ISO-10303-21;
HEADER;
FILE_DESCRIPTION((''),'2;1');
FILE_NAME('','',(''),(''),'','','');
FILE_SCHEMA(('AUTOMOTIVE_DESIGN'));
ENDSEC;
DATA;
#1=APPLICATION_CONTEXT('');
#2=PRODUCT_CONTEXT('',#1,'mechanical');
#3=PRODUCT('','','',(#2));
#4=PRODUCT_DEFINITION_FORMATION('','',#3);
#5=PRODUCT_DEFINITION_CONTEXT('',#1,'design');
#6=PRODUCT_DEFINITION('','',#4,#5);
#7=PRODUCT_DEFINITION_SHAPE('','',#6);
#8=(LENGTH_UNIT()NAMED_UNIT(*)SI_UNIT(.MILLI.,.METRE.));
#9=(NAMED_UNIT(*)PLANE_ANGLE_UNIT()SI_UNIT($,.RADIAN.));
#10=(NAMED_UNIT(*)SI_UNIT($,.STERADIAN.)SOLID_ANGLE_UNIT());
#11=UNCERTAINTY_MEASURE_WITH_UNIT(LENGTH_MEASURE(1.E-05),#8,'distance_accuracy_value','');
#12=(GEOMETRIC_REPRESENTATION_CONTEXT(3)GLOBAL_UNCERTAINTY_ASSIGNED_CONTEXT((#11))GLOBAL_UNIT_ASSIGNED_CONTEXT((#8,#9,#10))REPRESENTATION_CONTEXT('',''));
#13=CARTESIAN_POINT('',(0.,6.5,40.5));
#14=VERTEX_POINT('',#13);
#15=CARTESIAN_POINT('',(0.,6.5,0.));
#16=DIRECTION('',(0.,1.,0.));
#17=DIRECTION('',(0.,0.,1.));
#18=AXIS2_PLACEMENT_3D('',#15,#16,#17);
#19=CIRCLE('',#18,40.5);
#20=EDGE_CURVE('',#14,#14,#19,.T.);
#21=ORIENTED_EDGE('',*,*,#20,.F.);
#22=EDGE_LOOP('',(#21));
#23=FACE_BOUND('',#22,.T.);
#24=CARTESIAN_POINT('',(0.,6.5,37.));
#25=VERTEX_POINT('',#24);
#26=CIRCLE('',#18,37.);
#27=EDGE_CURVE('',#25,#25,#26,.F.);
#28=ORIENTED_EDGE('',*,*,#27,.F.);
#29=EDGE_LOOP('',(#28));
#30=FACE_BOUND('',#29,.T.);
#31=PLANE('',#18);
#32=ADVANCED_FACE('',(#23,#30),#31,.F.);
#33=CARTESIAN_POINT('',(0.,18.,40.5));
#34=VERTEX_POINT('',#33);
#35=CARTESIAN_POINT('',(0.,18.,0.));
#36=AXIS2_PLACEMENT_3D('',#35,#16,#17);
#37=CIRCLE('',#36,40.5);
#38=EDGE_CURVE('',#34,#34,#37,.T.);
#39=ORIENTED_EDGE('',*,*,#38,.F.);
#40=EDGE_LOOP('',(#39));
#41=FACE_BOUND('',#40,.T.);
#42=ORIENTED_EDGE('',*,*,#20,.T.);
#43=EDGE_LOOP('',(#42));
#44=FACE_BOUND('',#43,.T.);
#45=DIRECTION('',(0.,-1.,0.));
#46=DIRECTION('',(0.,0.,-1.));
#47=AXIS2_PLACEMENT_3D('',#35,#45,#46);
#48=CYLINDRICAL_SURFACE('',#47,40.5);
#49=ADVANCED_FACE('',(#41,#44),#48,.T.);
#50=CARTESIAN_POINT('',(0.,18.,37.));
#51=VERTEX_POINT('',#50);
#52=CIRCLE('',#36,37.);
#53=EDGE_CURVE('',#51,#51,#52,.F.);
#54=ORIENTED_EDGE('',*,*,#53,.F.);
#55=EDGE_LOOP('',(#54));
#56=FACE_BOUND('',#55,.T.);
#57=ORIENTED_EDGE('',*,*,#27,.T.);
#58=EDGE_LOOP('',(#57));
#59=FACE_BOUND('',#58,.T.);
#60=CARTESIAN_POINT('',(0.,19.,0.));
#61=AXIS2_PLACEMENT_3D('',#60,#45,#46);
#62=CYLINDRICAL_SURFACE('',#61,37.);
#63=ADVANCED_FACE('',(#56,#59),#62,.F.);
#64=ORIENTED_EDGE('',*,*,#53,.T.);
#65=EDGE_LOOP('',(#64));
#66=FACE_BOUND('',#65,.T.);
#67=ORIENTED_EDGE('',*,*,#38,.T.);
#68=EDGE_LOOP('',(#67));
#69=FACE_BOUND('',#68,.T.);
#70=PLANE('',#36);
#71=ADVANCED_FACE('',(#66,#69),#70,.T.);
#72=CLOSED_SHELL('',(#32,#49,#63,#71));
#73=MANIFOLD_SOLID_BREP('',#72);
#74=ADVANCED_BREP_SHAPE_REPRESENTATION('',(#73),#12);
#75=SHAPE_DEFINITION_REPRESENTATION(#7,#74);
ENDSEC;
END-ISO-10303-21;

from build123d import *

# Parameters (mm, degrees)
YUVA_ICECEK_HALKA_1_START = 6.5
SKETCH1_R                 = 40.5
YUVA_ICECEK_HALKA_1_DEPTH = 11.5
YUVA_ICECEK_HALKA_2_START = 6
SKETCH2_R                 = 37
YUVA_ICECEK_HALKA_2_DEPTH = 13


with BuildPart() as part:
    # Sketch1 → YUVA_icecek_halka_1 (new body)
    with BuildSketch(Plane(origin=(0, 0, 0), x_dir=(1, 0, 0), z_dir=(0, 1, 0)).offset(YUVA_ICECEK_HALKA_1_START)):
        with Locations(Location((0, 0, 0), (0, 0, 270))):
            Circle(SKETCH1_R)
    extrude(amount=YUVA_ICECEK_HALKA_1_DEPTH)

    # Sketch2 → YUVA_icecek_halka_2 (cut)
    with BuildSketch(Plane(origin=(0, 0, 0), x_dir=(1, 0, 0), z_dir=(0, 1, 0)).offset(YUVA_ICECEK_HALKA_2_START)):
        with Locations(Location((0, 0, 0), (0, 0, 270))):
            Circle(SKETCH2_R)
    extrude(amount=YUVA_ICECEK_HALKA_2_DEPTH, mode=Mode.SUBTRACT)


solid = part.part
